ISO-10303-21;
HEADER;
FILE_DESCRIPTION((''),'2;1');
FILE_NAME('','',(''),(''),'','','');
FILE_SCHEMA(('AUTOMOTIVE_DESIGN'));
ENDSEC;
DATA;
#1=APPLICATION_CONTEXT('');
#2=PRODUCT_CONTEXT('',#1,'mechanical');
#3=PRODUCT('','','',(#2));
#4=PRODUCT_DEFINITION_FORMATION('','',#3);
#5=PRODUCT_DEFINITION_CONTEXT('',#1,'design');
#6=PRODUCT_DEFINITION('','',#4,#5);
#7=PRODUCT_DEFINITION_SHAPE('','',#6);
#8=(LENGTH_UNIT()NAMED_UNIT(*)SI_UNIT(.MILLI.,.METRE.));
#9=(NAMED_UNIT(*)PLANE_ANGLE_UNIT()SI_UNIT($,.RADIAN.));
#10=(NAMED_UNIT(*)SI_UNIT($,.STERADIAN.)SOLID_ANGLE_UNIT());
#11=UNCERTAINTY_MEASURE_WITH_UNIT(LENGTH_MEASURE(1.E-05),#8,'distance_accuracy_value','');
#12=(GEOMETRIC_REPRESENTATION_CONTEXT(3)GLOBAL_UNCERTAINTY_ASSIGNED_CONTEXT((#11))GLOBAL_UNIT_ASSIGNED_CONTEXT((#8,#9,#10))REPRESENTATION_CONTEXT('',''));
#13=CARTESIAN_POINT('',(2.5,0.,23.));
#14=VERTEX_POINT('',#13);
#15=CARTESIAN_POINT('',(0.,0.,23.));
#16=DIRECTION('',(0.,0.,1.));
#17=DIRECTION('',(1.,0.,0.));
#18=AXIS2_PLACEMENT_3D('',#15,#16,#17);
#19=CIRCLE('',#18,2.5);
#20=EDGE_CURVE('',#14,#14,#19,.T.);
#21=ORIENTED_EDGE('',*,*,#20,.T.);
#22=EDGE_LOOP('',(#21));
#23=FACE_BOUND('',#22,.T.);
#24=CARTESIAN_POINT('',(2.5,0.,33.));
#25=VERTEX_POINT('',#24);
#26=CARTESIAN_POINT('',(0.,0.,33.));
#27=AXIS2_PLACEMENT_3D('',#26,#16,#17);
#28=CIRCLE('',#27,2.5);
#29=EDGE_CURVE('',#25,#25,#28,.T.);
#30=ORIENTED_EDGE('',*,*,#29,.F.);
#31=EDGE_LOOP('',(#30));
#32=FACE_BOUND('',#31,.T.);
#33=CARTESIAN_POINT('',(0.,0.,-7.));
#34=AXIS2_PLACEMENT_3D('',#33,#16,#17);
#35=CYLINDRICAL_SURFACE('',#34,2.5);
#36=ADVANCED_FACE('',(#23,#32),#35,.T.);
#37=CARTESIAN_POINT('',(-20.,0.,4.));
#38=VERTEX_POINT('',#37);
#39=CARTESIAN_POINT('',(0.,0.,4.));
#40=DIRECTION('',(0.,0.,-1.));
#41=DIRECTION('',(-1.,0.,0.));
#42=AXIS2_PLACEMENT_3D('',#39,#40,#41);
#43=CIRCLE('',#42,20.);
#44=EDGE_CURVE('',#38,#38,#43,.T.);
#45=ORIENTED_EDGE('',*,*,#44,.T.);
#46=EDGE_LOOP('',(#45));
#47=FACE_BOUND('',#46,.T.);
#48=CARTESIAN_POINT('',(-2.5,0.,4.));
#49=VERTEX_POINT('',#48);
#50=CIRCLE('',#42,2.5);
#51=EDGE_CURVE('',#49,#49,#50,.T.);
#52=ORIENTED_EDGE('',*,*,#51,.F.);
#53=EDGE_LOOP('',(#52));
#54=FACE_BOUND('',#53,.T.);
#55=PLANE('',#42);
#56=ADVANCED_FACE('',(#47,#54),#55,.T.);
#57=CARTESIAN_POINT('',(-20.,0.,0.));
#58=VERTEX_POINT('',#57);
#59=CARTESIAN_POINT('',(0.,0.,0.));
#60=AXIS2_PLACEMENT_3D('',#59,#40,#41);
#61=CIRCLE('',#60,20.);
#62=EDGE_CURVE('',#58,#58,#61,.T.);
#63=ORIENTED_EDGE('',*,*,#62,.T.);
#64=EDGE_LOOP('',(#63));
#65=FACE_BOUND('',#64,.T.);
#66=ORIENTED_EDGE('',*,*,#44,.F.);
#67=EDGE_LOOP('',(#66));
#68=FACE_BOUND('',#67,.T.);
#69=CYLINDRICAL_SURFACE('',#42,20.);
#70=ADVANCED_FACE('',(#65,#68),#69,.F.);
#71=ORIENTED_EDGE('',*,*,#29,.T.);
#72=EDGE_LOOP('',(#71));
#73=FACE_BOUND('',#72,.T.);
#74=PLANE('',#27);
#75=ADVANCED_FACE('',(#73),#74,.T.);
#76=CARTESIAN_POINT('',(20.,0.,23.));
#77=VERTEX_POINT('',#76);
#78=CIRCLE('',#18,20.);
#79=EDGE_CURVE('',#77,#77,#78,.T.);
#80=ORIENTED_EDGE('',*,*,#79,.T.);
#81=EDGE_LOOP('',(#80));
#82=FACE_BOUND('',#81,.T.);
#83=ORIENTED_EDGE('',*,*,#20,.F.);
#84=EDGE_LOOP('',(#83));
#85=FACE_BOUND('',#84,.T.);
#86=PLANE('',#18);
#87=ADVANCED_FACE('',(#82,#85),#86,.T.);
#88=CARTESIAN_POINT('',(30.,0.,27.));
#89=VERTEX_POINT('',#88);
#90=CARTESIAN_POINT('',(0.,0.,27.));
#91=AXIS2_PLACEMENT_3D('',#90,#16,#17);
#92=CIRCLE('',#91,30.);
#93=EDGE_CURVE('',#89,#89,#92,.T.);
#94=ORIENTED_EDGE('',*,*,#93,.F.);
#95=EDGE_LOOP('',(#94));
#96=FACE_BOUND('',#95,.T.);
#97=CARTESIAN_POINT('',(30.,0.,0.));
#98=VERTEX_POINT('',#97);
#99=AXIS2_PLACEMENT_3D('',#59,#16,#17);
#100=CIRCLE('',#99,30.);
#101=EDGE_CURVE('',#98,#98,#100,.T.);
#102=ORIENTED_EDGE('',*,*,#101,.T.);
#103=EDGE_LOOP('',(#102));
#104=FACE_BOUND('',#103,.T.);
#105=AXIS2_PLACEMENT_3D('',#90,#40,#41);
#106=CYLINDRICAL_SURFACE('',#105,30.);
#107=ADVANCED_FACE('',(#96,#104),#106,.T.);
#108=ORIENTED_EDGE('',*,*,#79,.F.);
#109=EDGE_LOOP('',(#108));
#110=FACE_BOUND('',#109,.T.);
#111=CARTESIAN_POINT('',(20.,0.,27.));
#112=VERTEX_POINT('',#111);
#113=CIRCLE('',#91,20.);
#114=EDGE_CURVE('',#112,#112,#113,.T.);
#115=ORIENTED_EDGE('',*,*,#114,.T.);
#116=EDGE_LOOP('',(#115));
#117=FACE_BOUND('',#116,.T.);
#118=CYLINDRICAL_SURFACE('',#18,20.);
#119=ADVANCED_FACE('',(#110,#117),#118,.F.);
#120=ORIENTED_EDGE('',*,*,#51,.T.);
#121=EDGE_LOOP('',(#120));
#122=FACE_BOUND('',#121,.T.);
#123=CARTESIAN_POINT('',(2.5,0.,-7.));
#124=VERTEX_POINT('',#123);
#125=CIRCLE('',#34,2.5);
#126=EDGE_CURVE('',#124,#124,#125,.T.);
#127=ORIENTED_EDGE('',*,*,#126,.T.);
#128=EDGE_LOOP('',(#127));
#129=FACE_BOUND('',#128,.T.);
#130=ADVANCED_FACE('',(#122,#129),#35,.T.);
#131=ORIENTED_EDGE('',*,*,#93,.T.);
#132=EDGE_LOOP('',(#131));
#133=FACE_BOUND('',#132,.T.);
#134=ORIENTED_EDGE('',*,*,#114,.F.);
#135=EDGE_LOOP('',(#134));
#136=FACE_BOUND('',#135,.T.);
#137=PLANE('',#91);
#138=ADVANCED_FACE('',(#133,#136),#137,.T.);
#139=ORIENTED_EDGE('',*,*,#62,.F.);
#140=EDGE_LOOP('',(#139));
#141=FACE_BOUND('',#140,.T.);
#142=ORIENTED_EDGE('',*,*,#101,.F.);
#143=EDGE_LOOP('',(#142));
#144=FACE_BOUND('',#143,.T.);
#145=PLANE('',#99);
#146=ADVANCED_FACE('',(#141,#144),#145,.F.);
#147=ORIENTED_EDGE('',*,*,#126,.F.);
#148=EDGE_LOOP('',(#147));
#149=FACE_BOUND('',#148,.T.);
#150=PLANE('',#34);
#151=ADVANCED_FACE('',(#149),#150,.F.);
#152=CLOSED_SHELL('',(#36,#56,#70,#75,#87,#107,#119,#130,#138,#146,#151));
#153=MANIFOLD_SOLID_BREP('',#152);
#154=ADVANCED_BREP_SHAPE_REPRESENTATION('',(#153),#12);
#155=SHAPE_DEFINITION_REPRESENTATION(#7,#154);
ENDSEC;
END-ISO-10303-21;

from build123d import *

# Parameters (mm, degrees)
SKETCH1_R                = 30
BOSS_EXTRUDE1_DEPTH      = 27
SKETCH3_R                = 20
CUT_EXTRUDE1_DEPTH       = 4
CUT_EXTRUDE2_START       = -4
SKETCH4_R                = 20
CUT_EXTRUDE2_DEPTH       = 4
BOSS_EXTRUDE2_DEPTH      = 10
BOSS_EXTRUDE2_DEPTH_BACK = 30
SKETCH5_R                = 2.5


with BuildPart() as part:
    # Sketch1 → Boss-Extrude1 (new body)
    with BuildSketch(Plane.XY):
        Circle(SKETCH1_R)
    extrude(amount=BOSS_EXTRUDE1_DEPTH)

    # Sketch3 → Cut-Extrude1 (cut)
    with BuildSketch(Plane.XY.offset(27)):
        Circle(SKETCH3_R)
    extrude(amount=-CUT_EXTRUDE1_DEPTH, mode=Mode.SUBTRACT)

    # Sketch4 → Cut-Extrude2 (cut)
    with BuildSketch(Plane(origin=(0, 0, 0), x_dir=(-1, 0, 0), z_dir=(0, 0, -1)).offset(CUT_EXTRUDE2_START)):
        with Locations(Location((0, 0, 0), (0, 0, 180))):
            Circle(SKETCH4_R)
    extrude(amount=CUT_EXTRUDE2_DEPTH, mode=Mode.SUBTRACT)

    # Sketch5 → Boss-Extrude2 (add, two sides: drawn at the far end of the back side and taken through both)
    with BuildSketch(Plane.XY.offset(23).offset(-BOSS_EXTRUDE2_DEPTH_BACK)):
        Circle(SKETCH5_R)
    extrude(amount=BOSS_EXTRUDE2_DEPTH + BOSS_EXTRUDE2_DEPTH_BACK)


solid = part.part
